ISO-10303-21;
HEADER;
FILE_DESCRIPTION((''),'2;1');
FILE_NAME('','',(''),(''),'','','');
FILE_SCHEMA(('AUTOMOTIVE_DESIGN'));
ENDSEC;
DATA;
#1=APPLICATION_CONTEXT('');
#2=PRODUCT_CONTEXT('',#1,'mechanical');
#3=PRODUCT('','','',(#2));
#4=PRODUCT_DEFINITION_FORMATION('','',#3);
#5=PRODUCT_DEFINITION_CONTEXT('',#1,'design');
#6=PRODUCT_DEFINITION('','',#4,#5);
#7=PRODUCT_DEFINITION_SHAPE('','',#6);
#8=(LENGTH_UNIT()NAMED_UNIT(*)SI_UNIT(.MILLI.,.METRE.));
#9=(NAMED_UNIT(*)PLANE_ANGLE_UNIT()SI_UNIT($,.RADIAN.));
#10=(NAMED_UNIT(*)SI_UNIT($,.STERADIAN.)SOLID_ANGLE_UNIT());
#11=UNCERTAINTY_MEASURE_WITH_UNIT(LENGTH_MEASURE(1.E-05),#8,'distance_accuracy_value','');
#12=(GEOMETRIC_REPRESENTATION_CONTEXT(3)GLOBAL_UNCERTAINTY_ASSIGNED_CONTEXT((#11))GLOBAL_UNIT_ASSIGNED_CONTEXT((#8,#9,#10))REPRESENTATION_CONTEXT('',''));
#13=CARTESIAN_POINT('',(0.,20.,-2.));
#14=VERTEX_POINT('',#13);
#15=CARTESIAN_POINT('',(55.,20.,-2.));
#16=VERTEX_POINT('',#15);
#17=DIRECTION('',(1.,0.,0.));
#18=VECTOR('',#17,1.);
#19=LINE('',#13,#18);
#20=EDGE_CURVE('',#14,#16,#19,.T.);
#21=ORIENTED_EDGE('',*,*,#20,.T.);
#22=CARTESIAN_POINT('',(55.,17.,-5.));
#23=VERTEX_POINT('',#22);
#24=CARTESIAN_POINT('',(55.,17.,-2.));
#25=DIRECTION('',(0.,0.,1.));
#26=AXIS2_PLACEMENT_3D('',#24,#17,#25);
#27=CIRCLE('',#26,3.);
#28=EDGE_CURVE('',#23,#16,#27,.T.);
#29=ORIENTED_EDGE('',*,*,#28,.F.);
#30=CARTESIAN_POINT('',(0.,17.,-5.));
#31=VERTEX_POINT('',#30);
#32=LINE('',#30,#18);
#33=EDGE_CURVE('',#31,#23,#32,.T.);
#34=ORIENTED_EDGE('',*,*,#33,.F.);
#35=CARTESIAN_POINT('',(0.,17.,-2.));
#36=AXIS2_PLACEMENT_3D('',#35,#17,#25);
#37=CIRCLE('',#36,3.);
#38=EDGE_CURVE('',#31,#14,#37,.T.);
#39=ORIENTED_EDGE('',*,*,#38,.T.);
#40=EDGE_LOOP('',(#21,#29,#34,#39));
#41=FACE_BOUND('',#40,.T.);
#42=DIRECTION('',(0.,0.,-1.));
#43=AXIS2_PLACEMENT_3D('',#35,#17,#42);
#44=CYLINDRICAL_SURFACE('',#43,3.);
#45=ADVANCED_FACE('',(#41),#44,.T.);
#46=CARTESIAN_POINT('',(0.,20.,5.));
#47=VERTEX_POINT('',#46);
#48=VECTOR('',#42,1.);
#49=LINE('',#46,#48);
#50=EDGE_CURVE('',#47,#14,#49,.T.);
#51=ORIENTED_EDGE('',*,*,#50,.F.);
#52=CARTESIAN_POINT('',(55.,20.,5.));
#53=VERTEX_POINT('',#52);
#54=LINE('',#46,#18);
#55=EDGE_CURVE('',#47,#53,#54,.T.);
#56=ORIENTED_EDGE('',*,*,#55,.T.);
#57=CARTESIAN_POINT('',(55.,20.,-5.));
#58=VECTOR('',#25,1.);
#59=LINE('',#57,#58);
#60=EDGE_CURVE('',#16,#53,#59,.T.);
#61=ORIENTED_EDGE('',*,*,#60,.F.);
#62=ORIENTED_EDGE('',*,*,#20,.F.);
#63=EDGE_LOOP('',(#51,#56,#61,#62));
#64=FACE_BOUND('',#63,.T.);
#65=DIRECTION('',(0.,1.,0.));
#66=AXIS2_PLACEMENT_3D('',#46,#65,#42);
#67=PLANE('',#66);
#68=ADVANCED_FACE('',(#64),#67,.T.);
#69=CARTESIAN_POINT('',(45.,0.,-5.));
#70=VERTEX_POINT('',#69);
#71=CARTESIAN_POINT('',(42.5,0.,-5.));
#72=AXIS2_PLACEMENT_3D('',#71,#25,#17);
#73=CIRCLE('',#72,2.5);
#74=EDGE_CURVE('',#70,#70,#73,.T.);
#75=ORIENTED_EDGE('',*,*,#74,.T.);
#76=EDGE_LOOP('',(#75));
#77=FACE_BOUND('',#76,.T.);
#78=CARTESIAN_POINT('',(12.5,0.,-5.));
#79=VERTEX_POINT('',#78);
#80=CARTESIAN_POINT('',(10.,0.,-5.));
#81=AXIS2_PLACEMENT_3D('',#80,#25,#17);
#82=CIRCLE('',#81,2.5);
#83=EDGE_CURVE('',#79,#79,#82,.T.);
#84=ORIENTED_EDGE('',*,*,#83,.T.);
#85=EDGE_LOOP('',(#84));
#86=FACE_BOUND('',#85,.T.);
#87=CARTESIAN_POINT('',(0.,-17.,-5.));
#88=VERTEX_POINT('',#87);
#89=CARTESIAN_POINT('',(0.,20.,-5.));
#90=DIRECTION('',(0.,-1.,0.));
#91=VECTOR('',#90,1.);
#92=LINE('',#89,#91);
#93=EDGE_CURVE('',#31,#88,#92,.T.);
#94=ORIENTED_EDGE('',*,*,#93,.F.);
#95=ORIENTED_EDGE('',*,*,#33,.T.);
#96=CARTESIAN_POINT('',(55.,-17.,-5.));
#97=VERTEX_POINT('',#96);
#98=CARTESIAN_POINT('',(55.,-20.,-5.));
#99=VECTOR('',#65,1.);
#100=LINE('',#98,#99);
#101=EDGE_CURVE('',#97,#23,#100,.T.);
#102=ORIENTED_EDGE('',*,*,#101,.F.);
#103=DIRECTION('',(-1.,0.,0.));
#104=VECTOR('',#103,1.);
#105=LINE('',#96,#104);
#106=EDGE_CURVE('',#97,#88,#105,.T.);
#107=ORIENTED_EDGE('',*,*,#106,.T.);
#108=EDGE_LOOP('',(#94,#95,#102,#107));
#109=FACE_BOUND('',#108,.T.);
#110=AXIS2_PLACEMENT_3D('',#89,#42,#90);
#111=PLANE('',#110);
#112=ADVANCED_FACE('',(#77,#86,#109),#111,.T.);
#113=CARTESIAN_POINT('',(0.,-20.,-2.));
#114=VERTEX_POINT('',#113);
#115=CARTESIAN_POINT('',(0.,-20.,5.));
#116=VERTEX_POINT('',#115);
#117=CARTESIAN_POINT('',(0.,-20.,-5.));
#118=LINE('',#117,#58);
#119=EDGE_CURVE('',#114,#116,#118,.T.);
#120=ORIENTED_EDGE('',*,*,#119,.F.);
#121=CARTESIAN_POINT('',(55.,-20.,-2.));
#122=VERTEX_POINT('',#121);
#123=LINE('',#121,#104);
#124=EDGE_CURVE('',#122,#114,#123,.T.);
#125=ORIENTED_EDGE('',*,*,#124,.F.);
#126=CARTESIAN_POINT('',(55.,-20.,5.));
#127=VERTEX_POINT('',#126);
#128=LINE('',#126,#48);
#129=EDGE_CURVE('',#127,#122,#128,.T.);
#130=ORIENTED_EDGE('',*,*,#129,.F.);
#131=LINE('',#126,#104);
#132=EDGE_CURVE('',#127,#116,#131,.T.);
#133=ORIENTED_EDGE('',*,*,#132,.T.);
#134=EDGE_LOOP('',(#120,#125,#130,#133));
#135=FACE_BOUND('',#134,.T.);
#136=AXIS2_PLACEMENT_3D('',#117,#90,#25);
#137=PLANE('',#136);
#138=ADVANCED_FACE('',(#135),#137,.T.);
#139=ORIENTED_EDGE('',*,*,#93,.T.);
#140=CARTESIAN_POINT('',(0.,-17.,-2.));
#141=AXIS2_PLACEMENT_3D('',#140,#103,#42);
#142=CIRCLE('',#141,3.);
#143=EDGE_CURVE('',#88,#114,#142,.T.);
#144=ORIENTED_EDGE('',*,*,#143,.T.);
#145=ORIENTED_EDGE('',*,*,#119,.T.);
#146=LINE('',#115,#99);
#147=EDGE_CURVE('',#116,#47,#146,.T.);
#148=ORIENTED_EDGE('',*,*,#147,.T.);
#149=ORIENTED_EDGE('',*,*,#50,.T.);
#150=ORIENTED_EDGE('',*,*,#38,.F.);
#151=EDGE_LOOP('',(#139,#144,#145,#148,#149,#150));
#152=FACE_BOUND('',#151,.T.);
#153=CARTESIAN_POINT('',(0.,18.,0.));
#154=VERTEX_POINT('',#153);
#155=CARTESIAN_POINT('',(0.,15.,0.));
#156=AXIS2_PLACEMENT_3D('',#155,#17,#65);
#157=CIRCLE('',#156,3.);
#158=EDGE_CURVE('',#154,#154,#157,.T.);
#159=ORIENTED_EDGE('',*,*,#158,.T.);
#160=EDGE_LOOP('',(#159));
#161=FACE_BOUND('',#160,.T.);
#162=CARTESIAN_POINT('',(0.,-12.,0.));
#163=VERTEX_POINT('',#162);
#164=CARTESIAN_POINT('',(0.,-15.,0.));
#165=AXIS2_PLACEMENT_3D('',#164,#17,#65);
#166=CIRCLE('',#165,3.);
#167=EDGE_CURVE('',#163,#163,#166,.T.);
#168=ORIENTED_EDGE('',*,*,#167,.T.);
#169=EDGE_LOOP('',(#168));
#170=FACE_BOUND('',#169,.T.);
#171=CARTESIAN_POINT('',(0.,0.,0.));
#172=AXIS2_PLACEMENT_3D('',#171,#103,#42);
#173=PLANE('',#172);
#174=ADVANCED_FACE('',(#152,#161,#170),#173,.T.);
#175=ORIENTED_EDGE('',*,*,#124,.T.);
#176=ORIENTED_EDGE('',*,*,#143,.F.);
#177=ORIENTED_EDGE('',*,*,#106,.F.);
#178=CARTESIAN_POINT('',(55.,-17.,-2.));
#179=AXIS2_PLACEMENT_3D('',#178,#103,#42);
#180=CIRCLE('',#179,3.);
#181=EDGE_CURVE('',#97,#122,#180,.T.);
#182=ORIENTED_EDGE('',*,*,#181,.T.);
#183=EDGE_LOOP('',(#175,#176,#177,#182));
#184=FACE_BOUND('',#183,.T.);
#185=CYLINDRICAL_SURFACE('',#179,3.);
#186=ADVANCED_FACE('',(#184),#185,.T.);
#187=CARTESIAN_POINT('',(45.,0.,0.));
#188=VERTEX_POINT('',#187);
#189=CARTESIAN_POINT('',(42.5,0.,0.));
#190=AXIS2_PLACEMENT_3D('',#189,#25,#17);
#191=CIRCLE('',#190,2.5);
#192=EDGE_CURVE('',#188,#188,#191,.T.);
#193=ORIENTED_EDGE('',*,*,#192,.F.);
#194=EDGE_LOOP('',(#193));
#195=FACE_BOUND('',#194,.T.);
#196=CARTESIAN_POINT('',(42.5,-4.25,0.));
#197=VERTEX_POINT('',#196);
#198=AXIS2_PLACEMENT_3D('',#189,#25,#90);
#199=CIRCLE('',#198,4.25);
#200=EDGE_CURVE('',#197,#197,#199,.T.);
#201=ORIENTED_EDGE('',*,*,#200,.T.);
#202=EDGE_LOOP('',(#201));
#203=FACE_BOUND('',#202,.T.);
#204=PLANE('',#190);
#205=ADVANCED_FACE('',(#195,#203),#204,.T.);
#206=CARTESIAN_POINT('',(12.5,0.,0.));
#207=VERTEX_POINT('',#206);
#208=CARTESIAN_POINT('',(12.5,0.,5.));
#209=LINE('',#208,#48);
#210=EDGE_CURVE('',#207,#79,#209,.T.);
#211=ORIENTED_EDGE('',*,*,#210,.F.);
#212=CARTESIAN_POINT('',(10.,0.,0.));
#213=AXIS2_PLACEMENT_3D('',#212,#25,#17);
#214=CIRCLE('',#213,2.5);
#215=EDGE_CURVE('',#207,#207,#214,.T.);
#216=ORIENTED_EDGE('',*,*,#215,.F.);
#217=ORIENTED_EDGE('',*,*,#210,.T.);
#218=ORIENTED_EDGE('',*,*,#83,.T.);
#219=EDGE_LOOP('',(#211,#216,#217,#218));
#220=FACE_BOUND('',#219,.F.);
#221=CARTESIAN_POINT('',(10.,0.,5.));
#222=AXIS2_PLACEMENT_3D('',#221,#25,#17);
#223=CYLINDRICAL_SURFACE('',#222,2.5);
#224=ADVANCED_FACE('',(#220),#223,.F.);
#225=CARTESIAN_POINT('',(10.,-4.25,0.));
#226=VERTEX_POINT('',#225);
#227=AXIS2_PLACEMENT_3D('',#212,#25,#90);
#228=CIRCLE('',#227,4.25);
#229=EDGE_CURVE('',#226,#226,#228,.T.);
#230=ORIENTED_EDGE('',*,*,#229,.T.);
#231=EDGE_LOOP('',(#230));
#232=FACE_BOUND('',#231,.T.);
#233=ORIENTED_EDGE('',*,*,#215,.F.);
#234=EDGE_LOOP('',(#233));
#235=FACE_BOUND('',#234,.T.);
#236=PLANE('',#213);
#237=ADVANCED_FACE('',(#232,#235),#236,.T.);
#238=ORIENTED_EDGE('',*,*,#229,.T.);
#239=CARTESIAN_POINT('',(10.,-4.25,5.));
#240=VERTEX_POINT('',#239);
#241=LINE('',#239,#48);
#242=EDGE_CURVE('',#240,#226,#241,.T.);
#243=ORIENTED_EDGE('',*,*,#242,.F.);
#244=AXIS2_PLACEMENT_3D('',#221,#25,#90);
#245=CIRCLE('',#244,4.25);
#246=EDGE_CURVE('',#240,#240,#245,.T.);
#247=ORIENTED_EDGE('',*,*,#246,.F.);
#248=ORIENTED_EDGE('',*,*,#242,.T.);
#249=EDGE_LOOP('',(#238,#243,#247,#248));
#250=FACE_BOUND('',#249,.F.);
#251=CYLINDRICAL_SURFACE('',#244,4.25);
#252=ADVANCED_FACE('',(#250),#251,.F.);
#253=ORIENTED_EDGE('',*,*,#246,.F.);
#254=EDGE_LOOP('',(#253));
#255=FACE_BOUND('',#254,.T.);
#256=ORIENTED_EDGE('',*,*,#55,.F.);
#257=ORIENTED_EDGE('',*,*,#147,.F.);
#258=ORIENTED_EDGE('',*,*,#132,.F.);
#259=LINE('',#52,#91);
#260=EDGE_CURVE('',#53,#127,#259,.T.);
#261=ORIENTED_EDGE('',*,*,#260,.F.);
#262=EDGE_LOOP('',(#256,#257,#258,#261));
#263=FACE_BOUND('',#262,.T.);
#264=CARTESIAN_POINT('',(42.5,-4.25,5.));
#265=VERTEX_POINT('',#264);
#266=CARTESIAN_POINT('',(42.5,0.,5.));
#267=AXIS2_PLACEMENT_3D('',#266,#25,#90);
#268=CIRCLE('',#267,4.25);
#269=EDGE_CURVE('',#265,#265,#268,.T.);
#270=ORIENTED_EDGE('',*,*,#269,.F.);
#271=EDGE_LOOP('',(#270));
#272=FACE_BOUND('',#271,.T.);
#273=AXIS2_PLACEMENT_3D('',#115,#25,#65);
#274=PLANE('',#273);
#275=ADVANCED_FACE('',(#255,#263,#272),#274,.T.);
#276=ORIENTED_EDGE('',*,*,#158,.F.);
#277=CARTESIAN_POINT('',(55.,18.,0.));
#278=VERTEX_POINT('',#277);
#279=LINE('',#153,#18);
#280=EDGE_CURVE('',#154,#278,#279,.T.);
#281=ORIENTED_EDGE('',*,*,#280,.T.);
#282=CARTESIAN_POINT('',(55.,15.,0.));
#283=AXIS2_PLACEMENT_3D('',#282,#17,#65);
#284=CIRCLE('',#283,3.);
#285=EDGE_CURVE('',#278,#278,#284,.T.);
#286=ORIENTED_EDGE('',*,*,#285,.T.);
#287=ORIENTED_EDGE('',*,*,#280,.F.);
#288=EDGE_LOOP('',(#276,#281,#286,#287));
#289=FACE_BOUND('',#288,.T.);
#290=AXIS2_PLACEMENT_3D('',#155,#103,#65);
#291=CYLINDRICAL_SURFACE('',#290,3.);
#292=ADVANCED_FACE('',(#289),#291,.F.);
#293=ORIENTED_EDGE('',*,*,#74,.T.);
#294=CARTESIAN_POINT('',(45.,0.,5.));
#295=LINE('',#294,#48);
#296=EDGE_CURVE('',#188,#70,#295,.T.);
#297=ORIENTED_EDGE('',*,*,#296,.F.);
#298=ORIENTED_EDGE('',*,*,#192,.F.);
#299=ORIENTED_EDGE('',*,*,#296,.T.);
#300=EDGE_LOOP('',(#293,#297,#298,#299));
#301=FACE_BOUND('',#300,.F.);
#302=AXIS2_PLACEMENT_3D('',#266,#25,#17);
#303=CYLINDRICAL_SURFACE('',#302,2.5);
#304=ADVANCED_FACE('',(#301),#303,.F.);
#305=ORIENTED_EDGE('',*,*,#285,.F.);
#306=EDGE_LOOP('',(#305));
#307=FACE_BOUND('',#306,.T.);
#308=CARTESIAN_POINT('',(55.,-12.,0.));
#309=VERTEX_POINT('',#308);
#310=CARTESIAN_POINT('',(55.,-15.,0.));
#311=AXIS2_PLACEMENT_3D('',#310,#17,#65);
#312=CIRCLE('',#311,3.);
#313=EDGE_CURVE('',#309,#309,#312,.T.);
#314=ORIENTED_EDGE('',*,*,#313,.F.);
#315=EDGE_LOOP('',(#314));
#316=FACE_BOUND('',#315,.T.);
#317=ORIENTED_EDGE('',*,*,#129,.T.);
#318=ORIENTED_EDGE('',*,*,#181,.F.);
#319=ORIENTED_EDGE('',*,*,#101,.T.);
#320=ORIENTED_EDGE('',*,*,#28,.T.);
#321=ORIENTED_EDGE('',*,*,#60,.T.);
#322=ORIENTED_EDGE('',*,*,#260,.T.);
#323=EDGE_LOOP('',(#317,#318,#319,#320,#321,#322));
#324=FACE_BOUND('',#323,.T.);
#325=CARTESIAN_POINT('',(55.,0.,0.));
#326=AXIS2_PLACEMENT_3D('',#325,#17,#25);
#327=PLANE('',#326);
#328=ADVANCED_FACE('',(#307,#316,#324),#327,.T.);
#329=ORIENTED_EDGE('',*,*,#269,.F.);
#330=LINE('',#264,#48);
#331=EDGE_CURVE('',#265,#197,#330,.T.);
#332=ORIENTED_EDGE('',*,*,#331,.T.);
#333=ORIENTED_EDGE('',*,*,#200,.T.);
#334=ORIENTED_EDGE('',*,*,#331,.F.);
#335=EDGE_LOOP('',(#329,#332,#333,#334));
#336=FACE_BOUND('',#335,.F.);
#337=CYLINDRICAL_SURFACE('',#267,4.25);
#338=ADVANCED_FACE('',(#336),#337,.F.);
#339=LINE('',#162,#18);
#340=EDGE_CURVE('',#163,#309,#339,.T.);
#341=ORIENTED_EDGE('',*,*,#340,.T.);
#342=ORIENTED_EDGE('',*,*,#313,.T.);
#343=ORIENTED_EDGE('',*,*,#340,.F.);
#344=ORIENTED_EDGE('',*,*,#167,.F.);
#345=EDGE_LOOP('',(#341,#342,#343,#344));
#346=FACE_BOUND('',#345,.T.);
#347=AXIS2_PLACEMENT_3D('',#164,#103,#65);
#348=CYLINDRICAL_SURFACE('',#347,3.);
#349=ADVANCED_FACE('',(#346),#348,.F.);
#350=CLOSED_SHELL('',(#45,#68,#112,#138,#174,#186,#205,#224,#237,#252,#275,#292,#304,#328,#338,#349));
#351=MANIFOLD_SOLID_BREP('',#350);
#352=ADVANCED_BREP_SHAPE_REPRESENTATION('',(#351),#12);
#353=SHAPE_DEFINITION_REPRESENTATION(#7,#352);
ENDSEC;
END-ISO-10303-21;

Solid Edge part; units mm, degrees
sketch "Sketch1" plane through (0, 0, 0) normal (1, 0, 0) x (0, 1, 0)
  circle A0 centre (-15, 0) radius 3
  circle A1 centre (15, 0) radius 3
  line L0 (20, -5) -> (-20, -5)
  line L1 (-20, -5) -> (-20, 5)
  line L2 (-20, 5) -> (20, 5)
  line L3 (20, 5) -> (20, -5)
  dimension "D1" = 40
  dimension "D2" = 10
  dimension "D3" = 15
  dimension "D4" = 6
extrude "Protrusion1" add sketch "Sketch1" along normal blind 50
sketch "Sketch2" plane through (25, 0, 5) normal (0, 0, 1) x (1, 0, 0)
  circle A0 centre (17.5, 0) radius 2.5
  circle A1 centre (-15, 0) radius 2.5
  dimension "D1" = 5
  dimension "D2" = 5
  dimension "D3" = 10
  dimension "D4" = 32.5
extrude "Cutout1" cut sketch "Sketch2" against normal up to next
sketch "Sketch3" plane through (50, 0, 0) normal (1, 0, 0) x (0, 1, 0)
  line L0 (-20, -5) -> (20, -5)
  line L1 (20, -5) -> (20, 5)
  line L2 (20, 5) -> (-20, 5)
  line L3 (-20, 5) -> (-20, -5)
  circle A0 centre (15, 0) radius 3
  circle A1 centre (-15, 0) radius 3
extrude "ExtrudedProtrusion_4" add sketch "Sketch3" along normal blind 5
fillet "Round_1" radius 3 2 edges at (27.5, -20, -5) (27.5, 20, -5)
sketch "Sketch4" plane through (27.5, 0, 5) normal (0, 0, 1) x (0, -1, 0)
  circle A0 centre (0, -17.5) radius 4.25
  circle A1 centre (0, 15) radius 4.25
  dimension "D1" = 8.5
  dimension "D2" = 8.5
extrude "ExtrudedCutout_2" cut sketch "Sketch4" against normal blind 5
properties material "ABS Plastic, high impact"
